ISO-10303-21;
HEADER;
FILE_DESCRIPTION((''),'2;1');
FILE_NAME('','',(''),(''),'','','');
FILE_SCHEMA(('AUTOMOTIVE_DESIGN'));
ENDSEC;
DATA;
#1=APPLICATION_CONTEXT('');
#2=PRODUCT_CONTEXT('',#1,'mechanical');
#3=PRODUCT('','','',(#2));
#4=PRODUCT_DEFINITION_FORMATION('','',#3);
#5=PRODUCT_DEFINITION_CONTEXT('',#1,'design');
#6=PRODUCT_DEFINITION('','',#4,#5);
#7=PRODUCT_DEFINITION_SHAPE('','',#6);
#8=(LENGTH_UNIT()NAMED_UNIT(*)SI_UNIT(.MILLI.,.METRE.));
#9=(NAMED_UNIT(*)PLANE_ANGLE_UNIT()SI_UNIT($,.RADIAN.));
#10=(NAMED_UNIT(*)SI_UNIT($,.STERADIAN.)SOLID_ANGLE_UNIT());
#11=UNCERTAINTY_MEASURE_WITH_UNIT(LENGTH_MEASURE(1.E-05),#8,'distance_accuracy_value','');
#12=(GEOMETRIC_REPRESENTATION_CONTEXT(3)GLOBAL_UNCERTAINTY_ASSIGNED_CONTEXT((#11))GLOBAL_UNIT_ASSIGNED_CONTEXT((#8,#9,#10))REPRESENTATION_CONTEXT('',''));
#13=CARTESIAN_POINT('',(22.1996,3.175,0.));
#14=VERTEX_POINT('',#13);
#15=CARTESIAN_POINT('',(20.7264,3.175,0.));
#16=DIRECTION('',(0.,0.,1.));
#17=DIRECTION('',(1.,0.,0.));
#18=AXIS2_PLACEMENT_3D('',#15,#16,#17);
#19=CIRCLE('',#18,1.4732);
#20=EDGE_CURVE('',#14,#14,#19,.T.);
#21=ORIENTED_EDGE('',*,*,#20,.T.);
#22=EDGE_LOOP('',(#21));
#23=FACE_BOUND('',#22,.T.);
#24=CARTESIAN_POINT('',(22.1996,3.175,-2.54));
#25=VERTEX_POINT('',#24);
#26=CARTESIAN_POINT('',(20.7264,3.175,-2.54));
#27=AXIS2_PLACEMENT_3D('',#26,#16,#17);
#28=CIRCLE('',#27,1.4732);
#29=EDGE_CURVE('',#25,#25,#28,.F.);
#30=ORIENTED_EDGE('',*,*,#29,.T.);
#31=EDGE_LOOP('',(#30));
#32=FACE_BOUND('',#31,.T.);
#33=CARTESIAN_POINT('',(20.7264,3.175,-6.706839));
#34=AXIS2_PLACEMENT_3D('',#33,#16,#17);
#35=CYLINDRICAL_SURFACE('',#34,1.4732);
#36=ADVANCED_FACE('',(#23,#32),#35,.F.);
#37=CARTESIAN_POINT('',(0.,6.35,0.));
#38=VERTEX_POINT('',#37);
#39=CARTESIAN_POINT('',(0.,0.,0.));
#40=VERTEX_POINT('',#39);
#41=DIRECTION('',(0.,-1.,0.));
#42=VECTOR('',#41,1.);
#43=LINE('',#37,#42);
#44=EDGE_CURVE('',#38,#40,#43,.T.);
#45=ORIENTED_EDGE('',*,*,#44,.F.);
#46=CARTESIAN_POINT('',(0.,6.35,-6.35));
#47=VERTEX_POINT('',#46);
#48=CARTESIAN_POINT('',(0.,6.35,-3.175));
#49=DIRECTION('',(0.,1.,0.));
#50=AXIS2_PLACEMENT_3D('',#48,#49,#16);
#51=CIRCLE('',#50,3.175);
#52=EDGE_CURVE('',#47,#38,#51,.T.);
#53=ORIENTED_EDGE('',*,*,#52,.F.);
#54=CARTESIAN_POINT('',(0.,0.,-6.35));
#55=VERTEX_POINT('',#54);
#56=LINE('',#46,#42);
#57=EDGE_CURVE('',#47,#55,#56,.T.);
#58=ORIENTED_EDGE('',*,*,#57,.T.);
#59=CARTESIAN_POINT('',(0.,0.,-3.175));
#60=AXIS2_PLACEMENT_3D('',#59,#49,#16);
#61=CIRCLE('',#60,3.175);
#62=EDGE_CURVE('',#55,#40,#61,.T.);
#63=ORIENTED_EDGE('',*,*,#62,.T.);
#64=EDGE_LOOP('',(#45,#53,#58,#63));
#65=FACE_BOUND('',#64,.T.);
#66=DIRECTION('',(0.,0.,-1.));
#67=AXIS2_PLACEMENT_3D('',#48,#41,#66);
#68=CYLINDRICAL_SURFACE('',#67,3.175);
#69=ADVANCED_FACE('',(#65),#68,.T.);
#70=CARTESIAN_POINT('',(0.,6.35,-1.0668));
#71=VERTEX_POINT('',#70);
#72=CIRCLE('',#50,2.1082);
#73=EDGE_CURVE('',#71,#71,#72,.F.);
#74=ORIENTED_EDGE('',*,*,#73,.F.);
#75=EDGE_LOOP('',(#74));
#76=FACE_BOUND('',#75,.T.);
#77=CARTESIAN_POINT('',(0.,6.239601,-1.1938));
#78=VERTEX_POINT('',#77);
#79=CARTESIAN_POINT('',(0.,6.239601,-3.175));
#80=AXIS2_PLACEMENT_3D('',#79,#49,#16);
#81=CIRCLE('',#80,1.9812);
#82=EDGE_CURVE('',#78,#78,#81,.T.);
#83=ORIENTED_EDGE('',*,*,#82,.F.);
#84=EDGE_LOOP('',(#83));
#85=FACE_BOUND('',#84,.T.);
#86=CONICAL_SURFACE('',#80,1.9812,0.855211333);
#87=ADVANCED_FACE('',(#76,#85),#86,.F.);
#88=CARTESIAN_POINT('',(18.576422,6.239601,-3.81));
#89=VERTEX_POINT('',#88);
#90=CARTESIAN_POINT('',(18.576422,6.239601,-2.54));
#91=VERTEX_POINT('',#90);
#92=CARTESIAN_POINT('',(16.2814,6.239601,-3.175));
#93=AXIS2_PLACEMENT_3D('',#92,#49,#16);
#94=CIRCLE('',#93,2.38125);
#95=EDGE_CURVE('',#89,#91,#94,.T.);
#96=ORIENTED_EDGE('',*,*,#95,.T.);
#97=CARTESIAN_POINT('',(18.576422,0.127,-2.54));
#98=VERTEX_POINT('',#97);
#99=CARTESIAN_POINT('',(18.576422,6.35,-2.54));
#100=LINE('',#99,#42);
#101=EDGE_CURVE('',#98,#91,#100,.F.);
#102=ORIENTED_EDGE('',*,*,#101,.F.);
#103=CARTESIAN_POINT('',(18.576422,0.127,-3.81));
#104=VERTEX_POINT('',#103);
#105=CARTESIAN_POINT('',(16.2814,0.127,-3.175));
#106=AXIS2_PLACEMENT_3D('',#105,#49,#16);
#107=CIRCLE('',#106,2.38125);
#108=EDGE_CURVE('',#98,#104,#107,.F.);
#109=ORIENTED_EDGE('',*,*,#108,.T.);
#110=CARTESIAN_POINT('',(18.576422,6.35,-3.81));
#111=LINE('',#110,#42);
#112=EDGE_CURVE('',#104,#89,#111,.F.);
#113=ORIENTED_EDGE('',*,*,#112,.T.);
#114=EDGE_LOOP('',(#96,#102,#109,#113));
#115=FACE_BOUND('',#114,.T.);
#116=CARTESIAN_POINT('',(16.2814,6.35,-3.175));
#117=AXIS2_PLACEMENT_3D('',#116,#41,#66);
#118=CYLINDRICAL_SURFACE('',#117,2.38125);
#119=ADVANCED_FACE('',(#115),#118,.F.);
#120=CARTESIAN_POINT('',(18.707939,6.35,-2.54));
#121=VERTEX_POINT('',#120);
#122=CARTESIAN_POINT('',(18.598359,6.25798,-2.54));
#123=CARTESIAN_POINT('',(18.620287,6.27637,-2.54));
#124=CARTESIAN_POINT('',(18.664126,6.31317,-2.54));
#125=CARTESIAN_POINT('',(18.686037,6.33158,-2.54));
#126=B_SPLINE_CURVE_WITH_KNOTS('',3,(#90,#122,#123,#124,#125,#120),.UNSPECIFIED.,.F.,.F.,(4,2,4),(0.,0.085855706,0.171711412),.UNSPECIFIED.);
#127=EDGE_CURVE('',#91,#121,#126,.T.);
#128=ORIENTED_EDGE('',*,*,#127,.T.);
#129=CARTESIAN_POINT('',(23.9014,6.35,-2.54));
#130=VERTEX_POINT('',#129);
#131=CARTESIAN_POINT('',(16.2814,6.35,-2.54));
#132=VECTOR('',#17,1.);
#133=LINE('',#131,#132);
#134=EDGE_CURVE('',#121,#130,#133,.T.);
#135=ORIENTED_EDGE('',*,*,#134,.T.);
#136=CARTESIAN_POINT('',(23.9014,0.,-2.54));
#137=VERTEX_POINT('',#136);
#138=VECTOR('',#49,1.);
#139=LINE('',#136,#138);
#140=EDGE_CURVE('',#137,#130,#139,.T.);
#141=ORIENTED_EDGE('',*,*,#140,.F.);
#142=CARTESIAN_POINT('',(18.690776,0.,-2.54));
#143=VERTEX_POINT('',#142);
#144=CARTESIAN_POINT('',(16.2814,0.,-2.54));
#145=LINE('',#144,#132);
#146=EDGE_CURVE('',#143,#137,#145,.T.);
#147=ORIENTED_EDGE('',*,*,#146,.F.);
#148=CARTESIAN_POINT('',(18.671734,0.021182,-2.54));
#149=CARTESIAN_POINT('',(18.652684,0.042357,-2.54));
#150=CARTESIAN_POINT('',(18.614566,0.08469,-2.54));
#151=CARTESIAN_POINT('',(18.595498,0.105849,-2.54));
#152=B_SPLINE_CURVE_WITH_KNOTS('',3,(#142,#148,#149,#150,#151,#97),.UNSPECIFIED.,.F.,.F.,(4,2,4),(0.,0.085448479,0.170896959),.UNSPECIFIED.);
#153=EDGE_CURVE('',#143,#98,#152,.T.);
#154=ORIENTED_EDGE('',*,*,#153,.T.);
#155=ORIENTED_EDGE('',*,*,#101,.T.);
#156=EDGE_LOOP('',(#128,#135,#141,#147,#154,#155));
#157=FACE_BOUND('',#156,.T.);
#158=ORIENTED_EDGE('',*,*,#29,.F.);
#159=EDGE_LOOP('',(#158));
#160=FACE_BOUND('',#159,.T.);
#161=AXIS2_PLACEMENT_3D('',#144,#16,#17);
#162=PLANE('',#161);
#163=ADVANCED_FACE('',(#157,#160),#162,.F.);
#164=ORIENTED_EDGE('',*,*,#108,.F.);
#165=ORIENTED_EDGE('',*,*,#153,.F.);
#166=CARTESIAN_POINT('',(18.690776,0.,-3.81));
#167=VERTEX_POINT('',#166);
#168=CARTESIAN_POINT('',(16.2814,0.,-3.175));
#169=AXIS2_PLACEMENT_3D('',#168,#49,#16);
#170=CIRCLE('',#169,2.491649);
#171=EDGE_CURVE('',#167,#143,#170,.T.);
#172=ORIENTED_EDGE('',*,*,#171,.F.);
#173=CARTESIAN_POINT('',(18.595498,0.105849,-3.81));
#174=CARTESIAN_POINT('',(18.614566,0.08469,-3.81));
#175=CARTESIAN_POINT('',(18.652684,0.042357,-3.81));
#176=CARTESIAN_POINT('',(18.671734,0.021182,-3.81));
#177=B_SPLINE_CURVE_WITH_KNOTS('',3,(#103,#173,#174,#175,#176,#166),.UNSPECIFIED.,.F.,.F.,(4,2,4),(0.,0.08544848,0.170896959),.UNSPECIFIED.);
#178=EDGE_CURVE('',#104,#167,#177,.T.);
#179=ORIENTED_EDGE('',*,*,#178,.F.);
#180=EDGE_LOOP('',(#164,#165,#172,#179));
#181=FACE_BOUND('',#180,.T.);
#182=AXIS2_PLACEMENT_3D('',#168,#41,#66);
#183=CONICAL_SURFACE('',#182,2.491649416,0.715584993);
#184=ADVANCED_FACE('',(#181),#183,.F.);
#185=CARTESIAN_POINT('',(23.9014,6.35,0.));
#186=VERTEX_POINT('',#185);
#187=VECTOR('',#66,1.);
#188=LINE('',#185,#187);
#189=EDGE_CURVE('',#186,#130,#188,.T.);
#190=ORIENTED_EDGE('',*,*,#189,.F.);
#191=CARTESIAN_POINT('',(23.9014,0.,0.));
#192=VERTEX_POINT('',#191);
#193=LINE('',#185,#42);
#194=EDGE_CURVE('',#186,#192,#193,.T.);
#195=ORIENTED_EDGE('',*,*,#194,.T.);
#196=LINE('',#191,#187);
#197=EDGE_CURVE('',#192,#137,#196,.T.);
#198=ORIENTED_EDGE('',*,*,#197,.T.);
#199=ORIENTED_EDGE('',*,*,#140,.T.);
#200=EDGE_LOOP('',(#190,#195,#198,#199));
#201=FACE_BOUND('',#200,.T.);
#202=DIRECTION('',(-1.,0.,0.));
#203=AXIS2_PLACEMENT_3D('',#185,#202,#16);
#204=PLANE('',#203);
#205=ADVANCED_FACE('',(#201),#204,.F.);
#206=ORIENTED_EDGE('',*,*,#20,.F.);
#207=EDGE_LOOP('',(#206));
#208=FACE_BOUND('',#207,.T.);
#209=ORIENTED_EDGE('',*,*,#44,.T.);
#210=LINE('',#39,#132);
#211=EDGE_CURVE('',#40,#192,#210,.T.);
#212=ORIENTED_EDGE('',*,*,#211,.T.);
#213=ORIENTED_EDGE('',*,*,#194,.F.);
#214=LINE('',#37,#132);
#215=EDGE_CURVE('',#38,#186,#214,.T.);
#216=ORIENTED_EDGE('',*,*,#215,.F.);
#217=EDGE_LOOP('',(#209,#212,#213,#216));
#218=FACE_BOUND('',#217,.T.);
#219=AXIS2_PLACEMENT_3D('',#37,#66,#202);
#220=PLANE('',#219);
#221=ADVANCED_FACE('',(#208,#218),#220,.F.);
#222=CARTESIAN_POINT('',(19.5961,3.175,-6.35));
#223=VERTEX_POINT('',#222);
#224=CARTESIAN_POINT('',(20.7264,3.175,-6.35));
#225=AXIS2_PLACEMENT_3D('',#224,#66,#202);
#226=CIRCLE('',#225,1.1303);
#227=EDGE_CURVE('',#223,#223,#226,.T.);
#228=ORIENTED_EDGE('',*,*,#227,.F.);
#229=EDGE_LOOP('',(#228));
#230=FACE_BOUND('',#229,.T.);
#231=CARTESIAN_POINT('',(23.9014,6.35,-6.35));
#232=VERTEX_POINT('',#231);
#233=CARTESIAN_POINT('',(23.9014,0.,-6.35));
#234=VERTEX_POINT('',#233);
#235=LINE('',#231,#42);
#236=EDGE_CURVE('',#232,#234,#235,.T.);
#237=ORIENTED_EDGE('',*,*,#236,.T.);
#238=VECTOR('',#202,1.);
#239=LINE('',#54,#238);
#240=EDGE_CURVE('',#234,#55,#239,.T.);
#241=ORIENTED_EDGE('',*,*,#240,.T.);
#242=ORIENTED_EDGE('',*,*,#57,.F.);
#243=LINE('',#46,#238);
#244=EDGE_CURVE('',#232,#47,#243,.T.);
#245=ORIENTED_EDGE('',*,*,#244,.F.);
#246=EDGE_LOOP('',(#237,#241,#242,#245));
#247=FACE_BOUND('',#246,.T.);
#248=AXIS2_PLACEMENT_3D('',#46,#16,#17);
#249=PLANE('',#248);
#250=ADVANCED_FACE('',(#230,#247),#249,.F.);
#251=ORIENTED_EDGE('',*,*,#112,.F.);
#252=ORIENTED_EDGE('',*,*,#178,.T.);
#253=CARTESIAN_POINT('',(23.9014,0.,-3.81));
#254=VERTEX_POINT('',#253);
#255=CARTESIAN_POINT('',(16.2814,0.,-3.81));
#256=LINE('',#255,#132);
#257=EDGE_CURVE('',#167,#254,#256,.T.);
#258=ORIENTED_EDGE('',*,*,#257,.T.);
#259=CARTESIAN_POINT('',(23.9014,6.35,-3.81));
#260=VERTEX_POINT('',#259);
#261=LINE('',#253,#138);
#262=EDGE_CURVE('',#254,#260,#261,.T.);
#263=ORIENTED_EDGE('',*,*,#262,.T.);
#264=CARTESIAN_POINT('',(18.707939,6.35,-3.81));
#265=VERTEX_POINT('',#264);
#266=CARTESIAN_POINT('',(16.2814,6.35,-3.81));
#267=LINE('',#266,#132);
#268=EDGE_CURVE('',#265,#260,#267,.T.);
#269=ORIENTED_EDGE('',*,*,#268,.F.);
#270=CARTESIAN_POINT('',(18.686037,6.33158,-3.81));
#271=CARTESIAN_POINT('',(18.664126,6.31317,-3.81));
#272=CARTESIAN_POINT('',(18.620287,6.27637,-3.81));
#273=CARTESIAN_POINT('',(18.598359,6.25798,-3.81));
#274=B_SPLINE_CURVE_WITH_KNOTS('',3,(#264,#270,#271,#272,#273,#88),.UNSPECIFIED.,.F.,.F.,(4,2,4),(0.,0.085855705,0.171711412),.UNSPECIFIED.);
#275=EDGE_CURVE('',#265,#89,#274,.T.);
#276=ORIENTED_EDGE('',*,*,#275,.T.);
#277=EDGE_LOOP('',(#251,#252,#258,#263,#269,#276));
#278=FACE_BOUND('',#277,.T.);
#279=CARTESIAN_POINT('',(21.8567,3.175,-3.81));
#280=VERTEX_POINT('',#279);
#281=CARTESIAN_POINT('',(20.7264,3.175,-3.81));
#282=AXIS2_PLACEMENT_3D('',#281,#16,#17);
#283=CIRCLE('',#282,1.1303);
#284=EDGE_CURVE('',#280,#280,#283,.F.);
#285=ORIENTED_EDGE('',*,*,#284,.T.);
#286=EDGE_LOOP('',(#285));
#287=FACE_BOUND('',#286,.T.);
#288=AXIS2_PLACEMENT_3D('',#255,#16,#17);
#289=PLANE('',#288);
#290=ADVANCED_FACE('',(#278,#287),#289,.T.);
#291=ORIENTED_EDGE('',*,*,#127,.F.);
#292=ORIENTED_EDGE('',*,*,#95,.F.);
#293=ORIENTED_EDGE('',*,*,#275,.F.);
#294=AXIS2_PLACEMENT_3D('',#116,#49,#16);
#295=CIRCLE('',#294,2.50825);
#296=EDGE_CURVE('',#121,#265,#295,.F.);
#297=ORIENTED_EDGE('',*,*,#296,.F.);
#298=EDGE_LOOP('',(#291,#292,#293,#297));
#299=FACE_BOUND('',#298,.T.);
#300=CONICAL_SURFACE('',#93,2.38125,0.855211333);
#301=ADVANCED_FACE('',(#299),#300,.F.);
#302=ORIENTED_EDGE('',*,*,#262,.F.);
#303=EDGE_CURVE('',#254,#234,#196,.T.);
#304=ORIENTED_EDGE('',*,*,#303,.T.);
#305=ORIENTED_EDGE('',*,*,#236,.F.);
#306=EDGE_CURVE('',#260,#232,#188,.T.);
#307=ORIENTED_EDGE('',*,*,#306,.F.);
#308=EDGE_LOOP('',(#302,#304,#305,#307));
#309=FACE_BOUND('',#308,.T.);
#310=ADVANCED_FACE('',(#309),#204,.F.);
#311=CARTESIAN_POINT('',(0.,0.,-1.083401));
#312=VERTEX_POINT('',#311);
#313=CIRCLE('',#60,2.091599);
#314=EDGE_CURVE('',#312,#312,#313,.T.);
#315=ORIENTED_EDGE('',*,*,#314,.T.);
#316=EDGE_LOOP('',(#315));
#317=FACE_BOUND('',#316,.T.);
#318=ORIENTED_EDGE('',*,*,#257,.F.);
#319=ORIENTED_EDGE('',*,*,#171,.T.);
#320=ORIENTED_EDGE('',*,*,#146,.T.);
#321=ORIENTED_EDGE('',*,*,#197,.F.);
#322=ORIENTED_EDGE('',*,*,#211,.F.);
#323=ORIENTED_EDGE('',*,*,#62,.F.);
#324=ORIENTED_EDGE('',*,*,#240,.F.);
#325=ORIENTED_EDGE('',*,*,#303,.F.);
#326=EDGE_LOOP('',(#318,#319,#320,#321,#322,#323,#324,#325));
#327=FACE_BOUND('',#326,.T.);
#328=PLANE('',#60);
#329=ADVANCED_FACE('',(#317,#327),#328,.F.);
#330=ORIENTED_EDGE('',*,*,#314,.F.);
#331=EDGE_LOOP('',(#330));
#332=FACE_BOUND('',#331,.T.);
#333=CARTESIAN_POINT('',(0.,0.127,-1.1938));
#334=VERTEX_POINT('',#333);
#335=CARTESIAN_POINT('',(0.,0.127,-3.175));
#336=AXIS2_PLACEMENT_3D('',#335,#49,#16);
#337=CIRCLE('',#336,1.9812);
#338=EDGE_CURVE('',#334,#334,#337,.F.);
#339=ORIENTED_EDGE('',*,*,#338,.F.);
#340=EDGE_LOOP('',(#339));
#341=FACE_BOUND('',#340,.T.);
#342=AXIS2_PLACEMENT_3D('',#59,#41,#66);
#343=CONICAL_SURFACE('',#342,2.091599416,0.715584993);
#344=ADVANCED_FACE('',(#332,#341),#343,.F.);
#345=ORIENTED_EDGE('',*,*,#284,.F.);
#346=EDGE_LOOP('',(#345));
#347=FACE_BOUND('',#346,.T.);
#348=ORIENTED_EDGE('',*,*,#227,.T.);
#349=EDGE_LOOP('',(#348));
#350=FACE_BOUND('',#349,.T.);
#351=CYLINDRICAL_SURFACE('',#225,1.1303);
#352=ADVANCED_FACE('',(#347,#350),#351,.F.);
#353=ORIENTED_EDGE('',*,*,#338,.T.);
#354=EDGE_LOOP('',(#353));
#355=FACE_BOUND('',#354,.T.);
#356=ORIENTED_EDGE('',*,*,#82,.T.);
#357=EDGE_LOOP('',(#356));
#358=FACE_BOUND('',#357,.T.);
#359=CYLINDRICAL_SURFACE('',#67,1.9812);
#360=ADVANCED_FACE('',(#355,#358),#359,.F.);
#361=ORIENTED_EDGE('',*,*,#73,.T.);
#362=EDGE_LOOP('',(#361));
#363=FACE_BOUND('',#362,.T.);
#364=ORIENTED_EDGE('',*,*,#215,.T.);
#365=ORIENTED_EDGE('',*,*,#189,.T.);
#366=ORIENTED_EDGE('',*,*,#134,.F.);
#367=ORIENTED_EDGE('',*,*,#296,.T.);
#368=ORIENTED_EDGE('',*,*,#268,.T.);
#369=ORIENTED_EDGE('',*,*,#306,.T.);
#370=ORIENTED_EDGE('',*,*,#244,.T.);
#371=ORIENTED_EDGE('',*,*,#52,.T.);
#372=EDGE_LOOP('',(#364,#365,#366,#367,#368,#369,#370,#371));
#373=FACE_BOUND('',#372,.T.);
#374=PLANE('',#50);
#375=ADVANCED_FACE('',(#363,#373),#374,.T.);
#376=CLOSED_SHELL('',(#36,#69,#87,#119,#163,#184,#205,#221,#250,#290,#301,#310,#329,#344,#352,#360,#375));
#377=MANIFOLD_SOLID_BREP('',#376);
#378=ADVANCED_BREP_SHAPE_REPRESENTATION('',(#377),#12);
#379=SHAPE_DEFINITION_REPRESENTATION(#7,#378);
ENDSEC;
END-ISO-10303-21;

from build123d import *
from OCP.BRepFilletAPI import BRepFilletAPI_MakeChamfer

# Parameters (mm, degrees)
SKETCH1_R                  = 1.9812
SKETCH1_R_2                = 2.38125
BOSS_EXTRUDE1_DEPTH        = 6.35
SKETCH2_W                  = 7.62
SKETCH2_H                  = 1.27
CUT_EXTRUDE1_DEPTH         = 26.532761738
CHAMFER1_SIZE              = 0.127
CHAMFER1_SIZE2             = 0.110399416
F_4_40_TAPPED_HOLE1_REACH  = 27.533
F_4_40_TAPPED_HOLE1_BORE_R = 1.1303
SKETCH5_R                  = 1.4732
CUT_EXTRUDE2_DEPTH         = 2.54


with BuildPart() as part:
    # Sketch1 → Boss-Extrude1 (new body)
    with BuildSketch(Plane(origin=(0, 0, 0), x_dir=(1, 0, 0), z_dir=(0, 1, 0))):
        with BuildLine():
            Line((0, 0), (23.9014, 0))
            Line((23.9014, 0), (23.9014, 6.35))
            Line((23.9014, 6.35), (0, 6.35))
            ThreePointArc((0, 6.35), (-3.175, 3.175), (0, 0))
        make_face()
        with Locations(Location((0, 3.175, 0), (0, 0, 270))):
            Circle(SKETCH1_R, mode=Mode.SUBTRACT)
        with Locations(Location((16.2814, 3.175, 0), (0, 0, 270))):
            Circle(SKETCH1_R_2, mode=Mode.SUBTRACT)
    extrude(amount=BOSS_EXTRUDE1_DEPTH)

    # Sketch2 → Cut-Extrude1 (cut, through all)
    with BuildSketch(Plane(origin=(0, 6.35, 0), x_dir=(1, 0, 0), z_dir=(0, 1, 0))):
        with Locations((20.0914, 3.175)):
            Rectangle(SKETCH2_W, SKETCH2_H)
    extrude(amount=-CUT_EXTRUDE1_DEPTH, mode=Mode.SUBTRACT)

    # Chamfer1: one chamfer whose edges measure the first distance from different faces: ONE call of the kernel's chamfer builder (chamfer() names one face for all edges)
    chamfer1_edges_1 = [part.edges().sort_by_distance(p)[0] for p in [
        (0, 0, -5.1562),
    ]]
    chamfer1_side_1 = [part.faces().sort_by_distance(p)[0] for p in [
        (0, 3.175, -5.1562),
    ]]
    chamfer1_edges_2 = [part.edges().sort_by_distance(p)[0] for p in [
        (0, 6.35, -5.1562),
        (13.90015, 6.35, -3.175),
    ]]
    chamfer1_side_2 = [part.faces().sort_by_distance(p)[0] for p in [
        (10.400868542, 6.35, -3.175),
    ]]
    chamfer1_edges_3 = [part.edges().sort_by_distance(p)[0] for p in [
        (13.90015, 0, -3.175),
    ]]
    chamfer1_side_3 = [part.faces().sort_by_distance(p)[0] for p in [
        (13.90015, 3.175, -3.175),
    ]]
    chamfer1 = BRepFilletAPI_MakeChamfer(part.part.solid().wrapped)
    for e in chamfer1_edges_1:
        chamfer1.Add(CHAMFER1_SIZE, CHAMFER1_SIZE2, e.wrapped, chamfer1_side_1[0].wrapped)  # the first distance lies on this face
    for e in chamfer1_edges_2:
        chamfer1.Add(CHAMFER1_SIZE, CHAMFER1_SIZE2, e.wrapped, chamfer1_side_2[0].wrapped)  # the first distance lies on this face
    for e in chamfer1_edges_3:
        chamfer1.Add(CHAMFER1_SIZE, CHAMFER1_SIZE2, e.wrapped, chamfer1_side_3[0].wrapped)  # the first distance lies on this face
    add(Compound.cast(chamfer1.Shape()), mode=Mode.REPLACE)

    # #4-40 Tapped Hole1 bore → #4-40 Tapped Hole1 (cut, up to next)
    with BuildSketch(Plane(origin=(0, 0, -6.35), x_dir=(-1, 0, 0), z_dir=(0, 0, -1)), mode=Mode.PRIVATE) as f_4_40_tapped_hole1_sk1:
        with Locations((-20.7264, 3.175)):
            Circle(F_4_40_TAPPED_HOLE1_BORE_R)
    f_4_40_tapped_hole1_tool1 = extrude(f_4_40_tapped_hole1_sk1.sketch, amount=-F_4_40_TAPPED_HOLE1_REACH, mode=Mode.PRIVATE) & part.part
    add(f_4_40_tapped_hole1_tool1.solids().sort_by_distance((20.7264, 3.175, -6.35))[0], mode=Mode.SUBTRACT)

    # Sketch5 → Cut-Extrude2 (cut)
    with BuildSketch(Plane.XY):
        with Locations((20.7264, 3.175)):
            Circle(SKETCH5_R)
    extrude(amount=-CUT_EXTRUDE2_DEPTH, mode=Mode.SUBTRACT)


solid = part.part
